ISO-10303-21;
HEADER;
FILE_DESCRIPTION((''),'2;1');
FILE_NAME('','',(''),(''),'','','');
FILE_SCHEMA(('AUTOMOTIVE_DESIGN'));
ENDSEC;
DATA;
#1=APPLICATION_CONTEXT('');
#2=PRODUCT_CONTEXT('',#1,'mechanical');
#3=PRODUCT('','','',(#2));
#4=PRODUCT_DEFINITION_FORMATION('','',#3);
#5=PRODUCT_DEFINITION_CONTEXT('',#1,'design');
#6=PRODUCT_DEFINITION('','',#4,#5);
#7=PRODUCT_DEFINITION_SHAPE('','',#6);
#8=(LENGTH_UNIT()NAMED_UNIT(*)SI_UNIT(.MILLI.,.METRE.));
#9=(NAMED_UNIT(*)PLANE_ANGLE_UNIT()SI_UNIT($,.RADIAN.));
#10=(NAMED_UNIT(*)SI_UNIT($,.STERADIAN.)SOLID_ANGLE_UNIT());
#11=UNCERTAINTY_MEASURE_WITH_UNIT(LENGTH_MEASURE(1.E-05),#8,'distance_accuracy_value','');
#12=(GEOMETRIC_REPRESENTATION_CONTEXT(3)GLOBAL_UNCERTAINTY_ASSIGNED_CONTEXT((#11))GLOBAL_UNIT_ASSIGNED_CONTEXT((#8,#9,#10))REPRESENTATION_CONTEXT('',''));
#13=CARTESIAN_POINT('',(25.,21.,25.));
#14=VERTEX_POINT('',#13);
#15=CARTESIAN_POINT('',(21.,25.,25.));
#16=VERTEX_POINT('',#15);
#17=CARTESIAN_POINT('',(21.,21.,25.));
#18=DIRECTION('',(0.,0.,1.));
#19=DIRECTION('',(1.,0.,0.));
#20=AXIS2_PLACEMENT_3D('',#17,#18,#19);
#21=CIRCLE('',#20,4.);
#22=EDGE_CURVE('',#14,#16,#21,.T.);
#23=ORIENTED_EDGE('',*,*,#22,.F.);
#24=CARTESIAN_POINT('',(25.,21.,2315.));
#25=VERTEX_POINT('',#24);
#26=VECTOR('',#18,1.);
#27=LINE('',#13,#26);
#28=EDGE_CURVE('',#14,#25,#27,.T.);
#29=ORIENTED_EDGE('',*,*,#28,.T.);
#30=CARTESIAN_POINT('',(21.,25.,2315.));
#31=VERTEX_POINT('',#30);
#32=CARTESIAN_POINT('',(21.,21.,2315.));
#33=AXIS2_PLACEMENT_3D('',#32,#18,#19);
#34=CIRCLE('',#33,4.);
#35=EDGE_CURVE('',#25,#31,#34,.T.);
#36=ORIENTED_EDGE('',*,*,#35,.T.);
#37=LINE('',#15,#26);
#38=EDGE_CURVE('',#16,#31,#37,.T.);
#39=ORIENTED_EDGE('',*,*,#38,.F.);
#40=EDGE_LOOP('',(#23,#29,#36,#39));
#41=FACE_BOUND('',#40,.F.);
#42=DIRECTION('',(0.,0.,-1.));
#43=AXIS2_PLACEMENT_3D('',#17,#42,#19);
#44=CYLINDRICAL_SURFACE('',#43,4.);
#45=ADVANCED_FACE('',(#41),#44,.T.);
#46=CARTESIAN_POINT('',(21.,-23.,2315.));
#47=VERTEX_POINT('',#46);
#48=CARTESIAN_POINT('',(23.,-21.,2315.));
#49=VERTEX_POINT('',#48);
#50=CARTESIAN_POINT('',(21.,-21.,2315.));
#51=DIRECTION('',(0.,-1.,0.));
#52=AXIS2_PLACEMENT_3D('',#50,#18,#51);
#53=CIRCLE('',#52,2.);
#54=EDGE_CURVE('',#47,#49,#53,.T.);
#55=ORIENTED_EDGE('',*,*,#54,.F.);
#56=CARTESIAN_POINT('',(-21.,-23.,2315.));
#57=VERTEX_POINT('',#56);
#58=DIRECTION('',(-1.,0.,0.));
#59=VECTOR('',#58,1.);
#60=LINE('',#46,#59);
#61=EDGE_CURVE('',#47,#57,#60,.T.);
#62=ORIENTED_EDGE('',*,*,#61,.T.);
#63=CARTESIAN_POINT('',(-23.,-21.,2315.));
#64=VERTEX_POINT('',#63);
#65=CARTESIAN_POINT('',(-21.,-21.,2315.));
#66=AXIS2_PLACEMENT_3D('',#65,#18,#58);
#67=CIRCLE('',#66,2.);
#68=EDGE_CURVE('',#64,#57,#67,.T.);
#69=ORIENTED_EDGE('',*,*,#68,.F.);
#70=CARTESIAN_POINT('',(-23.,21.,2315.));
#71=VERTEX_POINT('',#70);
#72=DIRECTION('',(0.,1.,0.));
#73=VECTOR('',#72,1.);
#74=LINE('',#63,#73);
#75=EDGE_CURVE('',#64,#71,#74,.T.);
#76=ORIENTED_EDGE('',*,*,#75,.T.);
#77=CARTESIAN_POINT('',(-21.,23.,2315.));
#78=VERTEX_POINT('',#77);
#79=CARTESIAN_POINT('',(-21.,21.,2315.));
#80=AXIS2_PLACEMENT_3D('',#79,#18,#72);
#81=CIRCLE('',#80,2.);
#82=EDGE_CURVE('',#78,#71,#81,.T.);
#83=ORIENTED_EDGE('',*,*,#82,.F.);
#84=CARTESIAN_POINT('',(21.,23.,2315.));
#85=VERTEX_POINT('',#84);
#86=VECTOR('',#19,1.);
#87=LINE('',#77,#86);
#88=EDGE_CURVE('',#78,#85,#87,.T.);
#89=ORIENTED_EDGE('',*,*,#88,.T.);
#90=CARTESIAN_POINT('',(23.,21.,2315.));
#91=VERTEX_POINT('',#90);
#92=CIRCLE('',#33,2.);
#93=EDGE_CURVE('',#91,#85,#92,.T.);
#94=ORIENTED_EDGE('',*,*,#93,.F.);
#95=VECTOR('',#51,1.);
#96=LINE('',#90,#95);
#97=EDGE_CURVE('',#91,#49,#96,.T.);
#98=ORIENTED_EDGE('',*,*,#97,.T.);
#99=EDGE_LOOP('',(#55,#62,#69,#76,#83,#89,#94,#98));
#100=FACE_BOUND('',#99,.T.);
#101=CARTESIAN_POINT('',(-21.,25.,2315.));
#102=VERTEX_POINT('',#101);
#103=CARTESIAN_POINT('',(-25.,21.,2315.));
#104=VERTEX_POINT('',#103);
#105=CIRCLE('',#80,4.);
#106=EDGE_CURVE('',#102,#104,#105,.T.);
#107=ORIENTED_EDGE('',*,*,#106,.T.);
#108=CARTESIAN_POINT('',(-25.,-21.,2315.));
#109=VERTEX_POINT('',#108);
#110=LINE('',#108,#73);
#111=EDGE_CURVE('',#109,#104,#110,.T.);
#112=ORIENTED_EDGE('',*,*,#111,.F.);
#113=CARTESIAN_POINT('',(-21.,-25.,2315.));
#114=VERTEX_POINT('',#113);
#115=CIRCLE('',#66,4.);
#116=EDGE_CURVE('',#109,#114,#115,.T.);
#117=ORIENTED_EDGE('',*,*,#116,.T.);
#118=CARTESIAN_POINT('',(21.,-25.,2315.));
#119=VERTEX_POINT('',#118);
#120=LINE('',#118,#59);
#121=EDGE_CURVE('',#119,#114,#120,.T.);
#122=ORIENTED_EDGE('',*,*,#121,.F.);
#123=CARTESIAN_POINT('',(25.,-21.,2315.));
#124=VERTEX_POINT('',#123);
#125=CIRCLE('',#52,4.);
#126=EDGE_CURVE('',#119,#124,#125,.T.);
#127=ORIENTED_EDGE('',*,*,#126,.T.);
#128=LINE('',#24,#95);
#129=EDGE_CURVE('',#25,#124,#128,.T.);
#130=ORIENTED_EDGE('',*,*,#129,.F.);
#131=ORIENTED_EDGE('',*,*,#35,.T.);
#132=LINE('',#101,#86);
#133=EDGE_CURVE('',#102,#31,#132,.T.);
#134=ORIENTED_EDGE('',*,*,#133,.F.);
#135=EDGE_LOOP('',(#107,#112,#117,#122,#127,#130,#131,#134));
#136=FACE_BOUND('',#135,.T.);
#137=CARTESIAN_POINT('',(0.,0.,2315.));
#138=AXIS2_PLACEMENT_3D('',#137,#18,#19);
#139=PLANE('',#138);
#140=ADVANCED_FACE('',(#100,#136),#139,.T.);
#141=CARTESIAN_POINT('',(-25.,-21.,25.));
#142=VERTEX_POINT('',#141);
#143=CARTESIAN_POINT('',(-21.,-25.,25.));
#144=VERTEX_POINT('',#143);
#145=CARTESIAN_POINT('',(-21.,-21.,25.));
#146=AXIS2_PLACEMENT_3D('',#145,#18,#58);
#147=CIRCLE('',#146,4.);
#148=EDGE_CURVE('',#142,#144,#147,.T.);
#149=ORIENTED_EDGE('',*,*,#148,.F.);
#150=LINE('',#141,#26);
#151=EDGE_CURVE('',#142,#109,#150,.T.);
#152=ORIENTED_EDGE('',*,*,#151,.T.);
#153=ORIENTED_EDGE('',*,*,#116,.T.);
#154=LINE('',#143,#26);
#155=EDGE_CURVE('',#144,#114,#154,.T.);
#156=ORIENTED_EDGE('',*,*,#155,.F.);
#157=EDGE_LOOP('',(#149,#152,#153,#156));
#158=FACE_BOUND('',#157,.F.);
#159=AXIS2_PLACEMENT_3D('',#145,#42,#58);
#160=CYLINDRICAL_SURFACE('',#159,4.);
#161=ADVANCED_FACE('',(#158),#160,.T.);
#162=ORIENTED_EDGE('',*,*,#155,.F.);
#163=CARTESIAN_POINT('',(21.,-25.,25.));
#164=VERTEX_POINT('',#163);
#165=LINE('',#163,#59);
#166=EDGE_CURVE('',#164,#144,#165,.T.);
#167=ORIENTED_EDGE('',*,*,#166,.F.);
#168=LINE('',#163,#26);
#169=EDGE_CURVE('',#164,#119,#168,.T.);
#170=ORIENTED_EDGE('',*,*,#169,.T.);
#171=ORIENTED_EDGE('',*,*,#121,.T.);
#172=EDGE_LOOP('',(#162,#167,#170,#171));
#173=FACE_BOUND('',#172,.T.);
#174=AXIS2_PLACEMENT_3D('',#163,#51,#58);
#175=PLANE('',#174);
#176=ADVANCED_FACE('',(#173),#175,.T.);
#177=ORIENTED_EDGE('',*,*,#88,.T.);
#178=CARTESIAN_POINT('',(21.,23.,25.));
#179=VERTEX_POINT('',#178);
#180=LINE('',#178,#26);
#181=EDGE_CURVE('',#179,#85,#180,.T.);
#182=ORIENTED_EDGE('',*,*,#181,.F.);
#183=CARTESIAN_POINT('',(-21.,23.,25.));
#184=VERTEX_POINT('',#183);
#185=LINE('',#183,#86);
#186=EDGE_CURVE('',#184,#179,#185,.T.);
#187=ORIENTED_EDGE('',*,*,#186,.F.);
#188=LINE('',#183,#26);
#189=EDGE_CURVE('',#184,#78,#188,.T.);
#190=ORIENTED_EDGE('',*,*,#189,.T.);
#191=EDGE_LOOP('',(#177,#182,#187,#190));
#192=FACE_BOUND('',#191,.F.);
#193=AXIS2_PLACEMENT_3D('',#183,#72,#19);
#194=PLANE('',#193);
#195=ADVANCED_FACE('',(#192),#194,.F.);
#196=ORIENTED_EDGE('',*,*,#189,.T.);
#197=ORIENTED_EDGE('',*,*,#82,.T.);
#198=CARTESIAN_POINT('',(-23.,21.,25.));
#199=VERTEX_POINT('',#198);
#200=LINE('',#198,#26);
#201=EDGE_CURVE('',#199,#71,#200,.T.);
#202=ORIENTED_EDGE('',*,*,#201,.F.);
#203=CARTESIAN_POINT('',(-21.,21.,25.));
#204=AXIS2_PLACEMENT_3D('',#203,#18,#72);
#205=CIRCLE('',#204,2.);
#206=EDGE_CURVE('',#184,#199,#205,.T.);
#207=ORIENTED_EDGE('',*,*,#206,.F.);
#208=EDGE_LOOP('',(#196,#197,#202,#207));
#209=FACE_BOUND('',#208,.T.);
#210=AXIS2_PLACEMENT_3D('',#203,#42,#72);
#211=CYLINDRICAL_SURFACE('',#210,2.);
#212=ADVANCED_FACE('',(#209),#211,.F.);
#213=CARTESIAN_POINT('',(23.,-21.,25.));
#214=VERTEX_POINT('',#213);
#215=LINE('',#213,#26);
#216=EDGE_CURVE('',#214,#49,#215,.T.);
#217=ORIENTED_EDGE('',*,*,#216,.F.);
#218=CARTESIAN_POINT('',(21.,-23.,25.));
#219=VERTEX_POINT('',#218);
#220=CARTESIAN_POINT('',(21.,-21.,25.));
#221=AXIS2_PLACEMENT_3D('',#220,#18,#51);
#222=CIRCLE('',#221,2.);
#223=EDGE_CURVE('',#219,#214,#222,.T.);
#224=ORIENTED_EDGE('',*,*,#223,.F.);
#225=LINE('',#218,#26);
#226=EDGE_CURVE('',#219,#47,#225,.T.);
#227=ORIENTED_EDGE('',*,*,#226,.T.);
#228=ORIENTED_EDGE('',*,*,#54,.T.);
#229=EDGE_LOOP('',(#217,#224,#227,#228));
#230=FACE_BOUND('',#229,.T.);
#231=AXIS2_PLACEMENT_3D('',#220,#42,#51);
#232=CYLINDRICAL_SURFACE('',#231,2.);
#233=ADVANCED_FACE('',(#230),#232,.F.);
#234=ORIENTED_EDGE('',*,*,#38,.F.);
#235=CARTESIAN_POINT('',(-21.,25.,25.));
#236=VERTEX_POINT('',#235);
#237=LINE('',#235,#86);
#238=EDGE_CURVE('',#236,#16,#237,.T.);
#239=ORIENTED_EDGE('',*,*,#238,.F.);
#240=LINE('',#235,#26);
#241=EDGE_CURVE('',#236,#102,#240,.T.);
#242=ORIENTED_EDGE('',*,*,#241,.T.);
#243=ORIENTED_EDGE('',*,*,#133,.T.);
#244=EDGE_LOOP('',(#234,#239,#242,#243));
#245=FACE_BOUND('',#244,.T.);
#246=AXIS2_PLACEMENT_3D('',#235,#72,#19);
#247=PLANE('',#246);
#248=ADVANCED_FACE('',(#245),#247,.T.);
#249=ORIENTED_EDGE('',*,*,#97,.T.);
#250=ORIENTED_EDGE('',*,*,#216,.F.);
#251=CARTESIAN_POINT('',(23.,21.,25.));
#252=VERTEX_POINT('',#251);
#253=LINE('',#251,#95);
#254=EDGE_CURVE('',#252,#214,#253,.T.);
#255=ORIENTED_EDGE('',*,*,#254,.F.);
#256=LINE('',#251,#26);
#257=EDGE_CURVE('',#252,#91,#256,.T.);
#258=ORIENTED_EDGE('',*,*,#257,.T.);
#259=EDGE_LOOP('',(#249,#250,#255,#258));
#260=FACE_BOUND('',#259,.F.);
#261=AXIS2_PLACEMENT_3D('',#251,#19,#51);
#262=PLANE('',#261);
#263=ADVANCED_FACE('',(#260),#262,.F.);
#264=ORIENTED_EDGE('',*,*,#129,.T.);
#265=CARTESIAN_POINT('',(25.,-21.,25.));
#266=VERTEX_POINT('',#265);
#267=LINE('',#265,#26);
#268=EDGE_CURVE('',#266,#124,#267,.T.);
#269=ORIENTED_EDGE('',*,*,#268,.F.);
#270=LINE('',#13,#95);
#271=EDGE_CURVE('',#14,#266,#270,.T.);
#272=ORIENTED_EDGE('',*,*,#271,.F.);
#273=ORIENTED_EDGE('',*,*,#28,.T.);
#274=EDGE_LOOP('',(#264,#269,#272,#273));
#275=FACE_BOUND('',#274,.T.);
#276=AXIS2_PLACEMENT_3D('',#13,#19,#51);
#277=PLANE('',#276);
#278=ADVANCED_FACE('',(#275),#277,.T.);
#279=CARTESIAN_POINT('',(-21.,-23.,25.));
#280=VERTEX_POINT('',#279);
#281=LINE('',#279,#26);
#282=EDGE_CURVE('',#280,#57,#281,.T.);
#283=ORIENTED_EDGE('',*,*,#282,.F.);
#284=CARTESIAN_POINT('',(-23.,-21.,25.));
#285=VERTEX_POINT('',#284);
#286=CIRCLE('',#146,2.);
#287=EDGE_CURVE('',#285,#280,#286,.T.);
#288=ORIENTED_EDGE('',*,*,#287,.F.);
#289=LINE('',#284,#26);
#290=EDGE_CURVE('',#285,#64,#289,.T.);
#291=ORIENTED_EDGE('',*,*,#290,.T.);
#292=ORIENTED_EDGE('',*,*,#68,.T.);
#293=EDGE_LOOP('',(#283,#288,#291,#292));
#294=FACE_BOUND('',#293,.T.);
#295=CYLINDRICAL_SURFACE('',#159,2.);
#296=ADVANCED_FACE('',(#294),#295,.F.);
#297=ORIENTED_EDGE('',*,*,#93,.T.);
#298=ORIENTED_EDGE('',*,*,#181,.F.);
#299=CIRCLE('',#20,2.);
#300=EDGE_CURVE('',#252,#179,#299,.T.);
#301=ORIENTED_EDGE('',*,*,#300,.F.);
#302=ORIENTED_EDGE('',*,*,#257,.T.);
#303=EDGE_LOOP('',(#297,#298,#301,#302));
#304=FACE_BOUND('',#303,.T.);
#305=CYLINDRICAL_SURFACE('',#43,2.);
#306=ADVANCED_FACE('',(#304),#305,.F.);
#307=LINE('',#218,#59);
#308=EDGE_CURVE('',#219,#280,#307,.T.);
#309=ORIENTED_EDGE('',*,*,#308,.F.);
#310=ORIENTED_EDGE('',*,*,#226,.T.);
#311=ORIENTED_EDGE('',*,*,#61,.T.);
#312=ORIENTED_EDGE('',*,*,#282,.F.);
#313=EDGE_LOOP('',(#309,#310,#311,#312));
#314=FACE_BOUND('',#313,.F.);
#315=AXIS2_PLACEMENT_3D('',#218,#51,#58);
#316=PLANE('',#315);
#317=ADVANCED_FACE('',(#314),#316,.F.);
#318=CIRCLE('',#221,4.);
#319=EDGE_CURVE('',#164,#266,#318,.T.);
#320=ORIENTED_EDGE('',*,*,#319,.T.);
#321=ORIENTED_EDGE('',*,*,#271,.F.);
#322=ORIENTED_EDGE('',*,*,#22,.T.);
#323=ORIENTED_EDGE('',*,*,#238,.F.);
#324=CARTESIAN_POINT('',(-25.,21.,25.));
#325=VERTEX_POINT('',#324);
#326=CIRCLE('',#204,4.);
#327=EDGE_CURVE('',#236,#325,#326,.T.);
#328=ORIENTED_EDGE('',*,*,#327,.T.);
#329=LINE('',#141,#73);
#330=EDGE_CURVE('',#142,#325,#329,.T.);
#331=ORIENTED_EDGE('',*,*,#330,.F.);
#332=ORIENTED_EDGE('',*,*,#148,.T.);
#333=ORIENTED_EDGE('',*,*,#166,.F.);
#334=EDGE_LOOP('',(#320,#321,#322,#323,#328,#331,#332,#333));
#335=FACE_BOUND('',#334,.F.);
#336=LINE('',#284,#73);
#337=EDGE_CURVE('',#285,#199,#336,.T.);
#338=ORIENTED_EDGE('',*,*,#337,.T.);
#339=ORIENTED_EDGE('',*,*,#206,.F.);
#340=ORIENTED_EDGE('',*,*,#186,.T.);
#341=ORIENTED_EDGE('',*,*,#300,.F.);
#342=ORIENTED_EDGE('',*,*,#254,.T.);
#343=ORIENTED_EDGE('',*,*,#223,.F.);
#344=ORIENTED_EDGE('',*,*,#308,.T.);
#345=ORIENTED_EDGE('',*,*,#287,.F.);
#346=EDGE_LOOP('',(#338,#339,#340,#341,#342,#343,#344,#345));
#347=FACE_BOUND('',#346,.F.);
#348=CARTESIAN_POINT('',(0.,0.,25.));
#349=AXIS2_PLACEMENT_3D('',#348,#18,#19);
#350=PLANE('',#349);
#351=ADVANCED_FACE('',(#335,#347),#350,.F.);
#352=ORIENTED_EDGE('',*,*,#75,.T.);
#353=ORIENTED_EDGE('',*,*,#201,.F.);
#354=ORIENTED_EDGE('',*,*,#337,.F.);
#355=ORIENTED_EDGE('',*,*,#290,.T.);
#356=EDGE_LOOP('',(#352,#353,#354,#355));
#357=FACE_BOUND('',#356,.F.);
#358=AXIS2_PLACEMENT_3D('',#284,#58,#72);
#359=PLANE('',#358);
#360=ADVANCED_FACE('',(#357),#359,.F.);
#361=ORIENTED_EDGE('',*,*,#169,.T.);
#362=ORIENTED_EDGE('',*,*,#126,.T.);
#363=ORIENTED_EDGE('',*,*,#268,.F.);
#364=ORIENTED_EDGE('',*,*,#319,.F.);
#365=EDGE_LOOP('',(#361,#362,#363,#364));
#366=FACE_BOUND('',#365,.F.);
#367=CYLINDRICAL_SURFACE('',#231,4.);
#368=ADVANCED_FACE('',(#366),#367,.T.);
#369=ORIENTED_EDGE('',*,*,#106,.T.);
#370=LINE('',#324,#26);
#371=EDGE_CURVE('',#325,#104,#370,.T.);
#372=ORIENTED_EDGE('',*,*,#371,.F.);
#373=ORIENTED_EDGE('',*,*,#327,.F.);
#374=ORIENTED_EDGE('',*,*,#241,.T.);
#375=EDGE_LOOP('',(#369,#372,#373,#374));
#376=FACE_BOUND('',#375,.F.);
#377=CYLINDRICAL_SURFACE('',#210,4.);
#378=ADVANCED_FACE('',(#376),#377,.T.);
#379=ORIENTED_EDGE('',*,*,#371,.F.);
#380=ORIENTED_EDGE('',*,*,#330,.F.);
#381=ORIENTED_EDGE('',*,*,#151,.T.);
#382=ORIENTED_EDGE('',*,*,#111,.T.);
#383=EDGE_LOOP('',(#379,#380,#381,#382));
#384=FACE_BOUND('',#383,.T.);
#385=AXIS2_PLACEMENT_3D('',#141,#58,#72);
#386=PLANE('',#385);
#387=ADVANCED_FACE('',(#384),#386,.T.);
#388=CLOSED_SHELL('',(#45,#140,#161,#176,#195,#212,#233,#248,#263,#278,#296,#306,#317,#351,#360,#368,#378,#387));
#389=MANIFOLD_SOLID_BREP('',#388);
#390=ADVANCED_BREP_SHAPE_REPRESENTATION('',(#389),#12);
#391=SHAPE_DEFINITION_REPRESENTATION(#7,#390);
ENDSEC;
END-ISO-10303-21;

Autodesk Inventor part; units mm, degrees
ref_plane "Plano inicial" through (0, 0, 25) normal (0, 0, 1) x (1, 0, 0)
ref_plane "Plano final" through (0, 0, 2315) normal (0, 0, 1) x (1, 0, 0)
sketch "Boceto" plane through (0, 0, 0) normal (0, 0, 1) x (1, 0, 0)
  line L0 (-25, -21) -> (-25, 21)
  line L1 (-21, 25) -> (21, 25)
  line L2 (25, 21) -> (25, -21)
  line L3 (21, -25) -> (-21, -25)
  arc A0 (-25, -21) -> (-21, -25) centre (-21, -21) ccw
  arc A1 (25, 21) -> (21, 25) centre (21, 21) ccw
  arc A2 (-21, 25) -> (-25, 21) centre (-21, 21) ccw
  arc A3 (21, -25) -> (25, -21) centre (21, -21) ccw
  arc A4 (-21, 23) -> (-23, 21) centre (-21, 21) ccw
  line L4 (-21, 23) -> (21, 23)
  arc A5 (23, 21) -> (21, 23) centre (21, 21) ccw
  line L5 (23, 21) -> (23, -21)
  arc A6 (21, -23) -> (23, -21) centre (21, -21) ccw
  line L6 (21, -23) -> (-21, -23)
  arc A7 (-23, -21) -> (-21, -23) centre (-21, -21) ccw
  line L7 (-23, -21) -> (-23, 21)
  line L8 (0, 36.1598) -> (0, -36.1598) construction
  line L9 (-36.1598, 0) -> (36.1598, 0) construction
  dimension "d7" = 4
  dimension "d9" = 50
  dimension "d11" = 50
  dimension "d12" = 2
  dimension "d15" = 25
  dimension "d16" = 25
extrude "Cuerpo" add sketch "Boceto" along normal up to surface (2290 mm away) from surface at 25
sketch "Sketch3" plane through (0, 0, 0) normal (0, 0, 1) x (1, 0, 0)
  line L0 (0, 0) -> (10, 0)
ref_plane "Work Plane3" through (0, 0, 0) normal (0, -1, 0) x (1, 0, 0)
sketch "Sketch4" plane through (0, 0, 0) normal (0, -1, 0) x (1, 0, 0)
  line L0 (-2, 25) -> (12, 25)
  line L1 (-2, 2315) -> (12, 2315)
  dimension "d18" = 2290
ref_plane "Plano de trabajo4" through (500, -21, -25) normal (0, 0, -1) x (-1, 0, 0)
split "Dividir1" plane through (500, -21, -25) removes the side toward (0, 0, -1)
ref_plane "Plano de trabajo5" through (500, 21, 25) normal (0, 0, -1) x (-1, 0, 0)
split "Dividir2" plane through (500, 21, 25) removes the side toward (0, 0, -1)
equation "\"d7\" = G_IR"
equation "\"d9\" = G_W"
equation "\"d11\" = G_H"
equation "\"d12\" = G_T"
equation "\"d15\" = 0.5 * d9"
equation "\"d16\" = 0.5 * d11"
equation "\"d3\" = G_L"
equation "\"G_W\" = 50"
equation "\"G_H\" = 50"
equation "\"G_T\" = 2"
equation "\"G_IR\" = 4"
equation "\"G_L\" = d18"
equation "\"G_OFFSET_START\" = -25"
equation "\"G_OFFSET_END\" = 0"
equation "\"d13\" = -G_OFFSET_START"
equation "\"d14\" = G_OFFSET_END + B_L"
equation "\"B_L\" = 2315"
properties part number "ISO 10799-2 - 50x50x2 - 2290" material "Galvanizado catalogo 1"
